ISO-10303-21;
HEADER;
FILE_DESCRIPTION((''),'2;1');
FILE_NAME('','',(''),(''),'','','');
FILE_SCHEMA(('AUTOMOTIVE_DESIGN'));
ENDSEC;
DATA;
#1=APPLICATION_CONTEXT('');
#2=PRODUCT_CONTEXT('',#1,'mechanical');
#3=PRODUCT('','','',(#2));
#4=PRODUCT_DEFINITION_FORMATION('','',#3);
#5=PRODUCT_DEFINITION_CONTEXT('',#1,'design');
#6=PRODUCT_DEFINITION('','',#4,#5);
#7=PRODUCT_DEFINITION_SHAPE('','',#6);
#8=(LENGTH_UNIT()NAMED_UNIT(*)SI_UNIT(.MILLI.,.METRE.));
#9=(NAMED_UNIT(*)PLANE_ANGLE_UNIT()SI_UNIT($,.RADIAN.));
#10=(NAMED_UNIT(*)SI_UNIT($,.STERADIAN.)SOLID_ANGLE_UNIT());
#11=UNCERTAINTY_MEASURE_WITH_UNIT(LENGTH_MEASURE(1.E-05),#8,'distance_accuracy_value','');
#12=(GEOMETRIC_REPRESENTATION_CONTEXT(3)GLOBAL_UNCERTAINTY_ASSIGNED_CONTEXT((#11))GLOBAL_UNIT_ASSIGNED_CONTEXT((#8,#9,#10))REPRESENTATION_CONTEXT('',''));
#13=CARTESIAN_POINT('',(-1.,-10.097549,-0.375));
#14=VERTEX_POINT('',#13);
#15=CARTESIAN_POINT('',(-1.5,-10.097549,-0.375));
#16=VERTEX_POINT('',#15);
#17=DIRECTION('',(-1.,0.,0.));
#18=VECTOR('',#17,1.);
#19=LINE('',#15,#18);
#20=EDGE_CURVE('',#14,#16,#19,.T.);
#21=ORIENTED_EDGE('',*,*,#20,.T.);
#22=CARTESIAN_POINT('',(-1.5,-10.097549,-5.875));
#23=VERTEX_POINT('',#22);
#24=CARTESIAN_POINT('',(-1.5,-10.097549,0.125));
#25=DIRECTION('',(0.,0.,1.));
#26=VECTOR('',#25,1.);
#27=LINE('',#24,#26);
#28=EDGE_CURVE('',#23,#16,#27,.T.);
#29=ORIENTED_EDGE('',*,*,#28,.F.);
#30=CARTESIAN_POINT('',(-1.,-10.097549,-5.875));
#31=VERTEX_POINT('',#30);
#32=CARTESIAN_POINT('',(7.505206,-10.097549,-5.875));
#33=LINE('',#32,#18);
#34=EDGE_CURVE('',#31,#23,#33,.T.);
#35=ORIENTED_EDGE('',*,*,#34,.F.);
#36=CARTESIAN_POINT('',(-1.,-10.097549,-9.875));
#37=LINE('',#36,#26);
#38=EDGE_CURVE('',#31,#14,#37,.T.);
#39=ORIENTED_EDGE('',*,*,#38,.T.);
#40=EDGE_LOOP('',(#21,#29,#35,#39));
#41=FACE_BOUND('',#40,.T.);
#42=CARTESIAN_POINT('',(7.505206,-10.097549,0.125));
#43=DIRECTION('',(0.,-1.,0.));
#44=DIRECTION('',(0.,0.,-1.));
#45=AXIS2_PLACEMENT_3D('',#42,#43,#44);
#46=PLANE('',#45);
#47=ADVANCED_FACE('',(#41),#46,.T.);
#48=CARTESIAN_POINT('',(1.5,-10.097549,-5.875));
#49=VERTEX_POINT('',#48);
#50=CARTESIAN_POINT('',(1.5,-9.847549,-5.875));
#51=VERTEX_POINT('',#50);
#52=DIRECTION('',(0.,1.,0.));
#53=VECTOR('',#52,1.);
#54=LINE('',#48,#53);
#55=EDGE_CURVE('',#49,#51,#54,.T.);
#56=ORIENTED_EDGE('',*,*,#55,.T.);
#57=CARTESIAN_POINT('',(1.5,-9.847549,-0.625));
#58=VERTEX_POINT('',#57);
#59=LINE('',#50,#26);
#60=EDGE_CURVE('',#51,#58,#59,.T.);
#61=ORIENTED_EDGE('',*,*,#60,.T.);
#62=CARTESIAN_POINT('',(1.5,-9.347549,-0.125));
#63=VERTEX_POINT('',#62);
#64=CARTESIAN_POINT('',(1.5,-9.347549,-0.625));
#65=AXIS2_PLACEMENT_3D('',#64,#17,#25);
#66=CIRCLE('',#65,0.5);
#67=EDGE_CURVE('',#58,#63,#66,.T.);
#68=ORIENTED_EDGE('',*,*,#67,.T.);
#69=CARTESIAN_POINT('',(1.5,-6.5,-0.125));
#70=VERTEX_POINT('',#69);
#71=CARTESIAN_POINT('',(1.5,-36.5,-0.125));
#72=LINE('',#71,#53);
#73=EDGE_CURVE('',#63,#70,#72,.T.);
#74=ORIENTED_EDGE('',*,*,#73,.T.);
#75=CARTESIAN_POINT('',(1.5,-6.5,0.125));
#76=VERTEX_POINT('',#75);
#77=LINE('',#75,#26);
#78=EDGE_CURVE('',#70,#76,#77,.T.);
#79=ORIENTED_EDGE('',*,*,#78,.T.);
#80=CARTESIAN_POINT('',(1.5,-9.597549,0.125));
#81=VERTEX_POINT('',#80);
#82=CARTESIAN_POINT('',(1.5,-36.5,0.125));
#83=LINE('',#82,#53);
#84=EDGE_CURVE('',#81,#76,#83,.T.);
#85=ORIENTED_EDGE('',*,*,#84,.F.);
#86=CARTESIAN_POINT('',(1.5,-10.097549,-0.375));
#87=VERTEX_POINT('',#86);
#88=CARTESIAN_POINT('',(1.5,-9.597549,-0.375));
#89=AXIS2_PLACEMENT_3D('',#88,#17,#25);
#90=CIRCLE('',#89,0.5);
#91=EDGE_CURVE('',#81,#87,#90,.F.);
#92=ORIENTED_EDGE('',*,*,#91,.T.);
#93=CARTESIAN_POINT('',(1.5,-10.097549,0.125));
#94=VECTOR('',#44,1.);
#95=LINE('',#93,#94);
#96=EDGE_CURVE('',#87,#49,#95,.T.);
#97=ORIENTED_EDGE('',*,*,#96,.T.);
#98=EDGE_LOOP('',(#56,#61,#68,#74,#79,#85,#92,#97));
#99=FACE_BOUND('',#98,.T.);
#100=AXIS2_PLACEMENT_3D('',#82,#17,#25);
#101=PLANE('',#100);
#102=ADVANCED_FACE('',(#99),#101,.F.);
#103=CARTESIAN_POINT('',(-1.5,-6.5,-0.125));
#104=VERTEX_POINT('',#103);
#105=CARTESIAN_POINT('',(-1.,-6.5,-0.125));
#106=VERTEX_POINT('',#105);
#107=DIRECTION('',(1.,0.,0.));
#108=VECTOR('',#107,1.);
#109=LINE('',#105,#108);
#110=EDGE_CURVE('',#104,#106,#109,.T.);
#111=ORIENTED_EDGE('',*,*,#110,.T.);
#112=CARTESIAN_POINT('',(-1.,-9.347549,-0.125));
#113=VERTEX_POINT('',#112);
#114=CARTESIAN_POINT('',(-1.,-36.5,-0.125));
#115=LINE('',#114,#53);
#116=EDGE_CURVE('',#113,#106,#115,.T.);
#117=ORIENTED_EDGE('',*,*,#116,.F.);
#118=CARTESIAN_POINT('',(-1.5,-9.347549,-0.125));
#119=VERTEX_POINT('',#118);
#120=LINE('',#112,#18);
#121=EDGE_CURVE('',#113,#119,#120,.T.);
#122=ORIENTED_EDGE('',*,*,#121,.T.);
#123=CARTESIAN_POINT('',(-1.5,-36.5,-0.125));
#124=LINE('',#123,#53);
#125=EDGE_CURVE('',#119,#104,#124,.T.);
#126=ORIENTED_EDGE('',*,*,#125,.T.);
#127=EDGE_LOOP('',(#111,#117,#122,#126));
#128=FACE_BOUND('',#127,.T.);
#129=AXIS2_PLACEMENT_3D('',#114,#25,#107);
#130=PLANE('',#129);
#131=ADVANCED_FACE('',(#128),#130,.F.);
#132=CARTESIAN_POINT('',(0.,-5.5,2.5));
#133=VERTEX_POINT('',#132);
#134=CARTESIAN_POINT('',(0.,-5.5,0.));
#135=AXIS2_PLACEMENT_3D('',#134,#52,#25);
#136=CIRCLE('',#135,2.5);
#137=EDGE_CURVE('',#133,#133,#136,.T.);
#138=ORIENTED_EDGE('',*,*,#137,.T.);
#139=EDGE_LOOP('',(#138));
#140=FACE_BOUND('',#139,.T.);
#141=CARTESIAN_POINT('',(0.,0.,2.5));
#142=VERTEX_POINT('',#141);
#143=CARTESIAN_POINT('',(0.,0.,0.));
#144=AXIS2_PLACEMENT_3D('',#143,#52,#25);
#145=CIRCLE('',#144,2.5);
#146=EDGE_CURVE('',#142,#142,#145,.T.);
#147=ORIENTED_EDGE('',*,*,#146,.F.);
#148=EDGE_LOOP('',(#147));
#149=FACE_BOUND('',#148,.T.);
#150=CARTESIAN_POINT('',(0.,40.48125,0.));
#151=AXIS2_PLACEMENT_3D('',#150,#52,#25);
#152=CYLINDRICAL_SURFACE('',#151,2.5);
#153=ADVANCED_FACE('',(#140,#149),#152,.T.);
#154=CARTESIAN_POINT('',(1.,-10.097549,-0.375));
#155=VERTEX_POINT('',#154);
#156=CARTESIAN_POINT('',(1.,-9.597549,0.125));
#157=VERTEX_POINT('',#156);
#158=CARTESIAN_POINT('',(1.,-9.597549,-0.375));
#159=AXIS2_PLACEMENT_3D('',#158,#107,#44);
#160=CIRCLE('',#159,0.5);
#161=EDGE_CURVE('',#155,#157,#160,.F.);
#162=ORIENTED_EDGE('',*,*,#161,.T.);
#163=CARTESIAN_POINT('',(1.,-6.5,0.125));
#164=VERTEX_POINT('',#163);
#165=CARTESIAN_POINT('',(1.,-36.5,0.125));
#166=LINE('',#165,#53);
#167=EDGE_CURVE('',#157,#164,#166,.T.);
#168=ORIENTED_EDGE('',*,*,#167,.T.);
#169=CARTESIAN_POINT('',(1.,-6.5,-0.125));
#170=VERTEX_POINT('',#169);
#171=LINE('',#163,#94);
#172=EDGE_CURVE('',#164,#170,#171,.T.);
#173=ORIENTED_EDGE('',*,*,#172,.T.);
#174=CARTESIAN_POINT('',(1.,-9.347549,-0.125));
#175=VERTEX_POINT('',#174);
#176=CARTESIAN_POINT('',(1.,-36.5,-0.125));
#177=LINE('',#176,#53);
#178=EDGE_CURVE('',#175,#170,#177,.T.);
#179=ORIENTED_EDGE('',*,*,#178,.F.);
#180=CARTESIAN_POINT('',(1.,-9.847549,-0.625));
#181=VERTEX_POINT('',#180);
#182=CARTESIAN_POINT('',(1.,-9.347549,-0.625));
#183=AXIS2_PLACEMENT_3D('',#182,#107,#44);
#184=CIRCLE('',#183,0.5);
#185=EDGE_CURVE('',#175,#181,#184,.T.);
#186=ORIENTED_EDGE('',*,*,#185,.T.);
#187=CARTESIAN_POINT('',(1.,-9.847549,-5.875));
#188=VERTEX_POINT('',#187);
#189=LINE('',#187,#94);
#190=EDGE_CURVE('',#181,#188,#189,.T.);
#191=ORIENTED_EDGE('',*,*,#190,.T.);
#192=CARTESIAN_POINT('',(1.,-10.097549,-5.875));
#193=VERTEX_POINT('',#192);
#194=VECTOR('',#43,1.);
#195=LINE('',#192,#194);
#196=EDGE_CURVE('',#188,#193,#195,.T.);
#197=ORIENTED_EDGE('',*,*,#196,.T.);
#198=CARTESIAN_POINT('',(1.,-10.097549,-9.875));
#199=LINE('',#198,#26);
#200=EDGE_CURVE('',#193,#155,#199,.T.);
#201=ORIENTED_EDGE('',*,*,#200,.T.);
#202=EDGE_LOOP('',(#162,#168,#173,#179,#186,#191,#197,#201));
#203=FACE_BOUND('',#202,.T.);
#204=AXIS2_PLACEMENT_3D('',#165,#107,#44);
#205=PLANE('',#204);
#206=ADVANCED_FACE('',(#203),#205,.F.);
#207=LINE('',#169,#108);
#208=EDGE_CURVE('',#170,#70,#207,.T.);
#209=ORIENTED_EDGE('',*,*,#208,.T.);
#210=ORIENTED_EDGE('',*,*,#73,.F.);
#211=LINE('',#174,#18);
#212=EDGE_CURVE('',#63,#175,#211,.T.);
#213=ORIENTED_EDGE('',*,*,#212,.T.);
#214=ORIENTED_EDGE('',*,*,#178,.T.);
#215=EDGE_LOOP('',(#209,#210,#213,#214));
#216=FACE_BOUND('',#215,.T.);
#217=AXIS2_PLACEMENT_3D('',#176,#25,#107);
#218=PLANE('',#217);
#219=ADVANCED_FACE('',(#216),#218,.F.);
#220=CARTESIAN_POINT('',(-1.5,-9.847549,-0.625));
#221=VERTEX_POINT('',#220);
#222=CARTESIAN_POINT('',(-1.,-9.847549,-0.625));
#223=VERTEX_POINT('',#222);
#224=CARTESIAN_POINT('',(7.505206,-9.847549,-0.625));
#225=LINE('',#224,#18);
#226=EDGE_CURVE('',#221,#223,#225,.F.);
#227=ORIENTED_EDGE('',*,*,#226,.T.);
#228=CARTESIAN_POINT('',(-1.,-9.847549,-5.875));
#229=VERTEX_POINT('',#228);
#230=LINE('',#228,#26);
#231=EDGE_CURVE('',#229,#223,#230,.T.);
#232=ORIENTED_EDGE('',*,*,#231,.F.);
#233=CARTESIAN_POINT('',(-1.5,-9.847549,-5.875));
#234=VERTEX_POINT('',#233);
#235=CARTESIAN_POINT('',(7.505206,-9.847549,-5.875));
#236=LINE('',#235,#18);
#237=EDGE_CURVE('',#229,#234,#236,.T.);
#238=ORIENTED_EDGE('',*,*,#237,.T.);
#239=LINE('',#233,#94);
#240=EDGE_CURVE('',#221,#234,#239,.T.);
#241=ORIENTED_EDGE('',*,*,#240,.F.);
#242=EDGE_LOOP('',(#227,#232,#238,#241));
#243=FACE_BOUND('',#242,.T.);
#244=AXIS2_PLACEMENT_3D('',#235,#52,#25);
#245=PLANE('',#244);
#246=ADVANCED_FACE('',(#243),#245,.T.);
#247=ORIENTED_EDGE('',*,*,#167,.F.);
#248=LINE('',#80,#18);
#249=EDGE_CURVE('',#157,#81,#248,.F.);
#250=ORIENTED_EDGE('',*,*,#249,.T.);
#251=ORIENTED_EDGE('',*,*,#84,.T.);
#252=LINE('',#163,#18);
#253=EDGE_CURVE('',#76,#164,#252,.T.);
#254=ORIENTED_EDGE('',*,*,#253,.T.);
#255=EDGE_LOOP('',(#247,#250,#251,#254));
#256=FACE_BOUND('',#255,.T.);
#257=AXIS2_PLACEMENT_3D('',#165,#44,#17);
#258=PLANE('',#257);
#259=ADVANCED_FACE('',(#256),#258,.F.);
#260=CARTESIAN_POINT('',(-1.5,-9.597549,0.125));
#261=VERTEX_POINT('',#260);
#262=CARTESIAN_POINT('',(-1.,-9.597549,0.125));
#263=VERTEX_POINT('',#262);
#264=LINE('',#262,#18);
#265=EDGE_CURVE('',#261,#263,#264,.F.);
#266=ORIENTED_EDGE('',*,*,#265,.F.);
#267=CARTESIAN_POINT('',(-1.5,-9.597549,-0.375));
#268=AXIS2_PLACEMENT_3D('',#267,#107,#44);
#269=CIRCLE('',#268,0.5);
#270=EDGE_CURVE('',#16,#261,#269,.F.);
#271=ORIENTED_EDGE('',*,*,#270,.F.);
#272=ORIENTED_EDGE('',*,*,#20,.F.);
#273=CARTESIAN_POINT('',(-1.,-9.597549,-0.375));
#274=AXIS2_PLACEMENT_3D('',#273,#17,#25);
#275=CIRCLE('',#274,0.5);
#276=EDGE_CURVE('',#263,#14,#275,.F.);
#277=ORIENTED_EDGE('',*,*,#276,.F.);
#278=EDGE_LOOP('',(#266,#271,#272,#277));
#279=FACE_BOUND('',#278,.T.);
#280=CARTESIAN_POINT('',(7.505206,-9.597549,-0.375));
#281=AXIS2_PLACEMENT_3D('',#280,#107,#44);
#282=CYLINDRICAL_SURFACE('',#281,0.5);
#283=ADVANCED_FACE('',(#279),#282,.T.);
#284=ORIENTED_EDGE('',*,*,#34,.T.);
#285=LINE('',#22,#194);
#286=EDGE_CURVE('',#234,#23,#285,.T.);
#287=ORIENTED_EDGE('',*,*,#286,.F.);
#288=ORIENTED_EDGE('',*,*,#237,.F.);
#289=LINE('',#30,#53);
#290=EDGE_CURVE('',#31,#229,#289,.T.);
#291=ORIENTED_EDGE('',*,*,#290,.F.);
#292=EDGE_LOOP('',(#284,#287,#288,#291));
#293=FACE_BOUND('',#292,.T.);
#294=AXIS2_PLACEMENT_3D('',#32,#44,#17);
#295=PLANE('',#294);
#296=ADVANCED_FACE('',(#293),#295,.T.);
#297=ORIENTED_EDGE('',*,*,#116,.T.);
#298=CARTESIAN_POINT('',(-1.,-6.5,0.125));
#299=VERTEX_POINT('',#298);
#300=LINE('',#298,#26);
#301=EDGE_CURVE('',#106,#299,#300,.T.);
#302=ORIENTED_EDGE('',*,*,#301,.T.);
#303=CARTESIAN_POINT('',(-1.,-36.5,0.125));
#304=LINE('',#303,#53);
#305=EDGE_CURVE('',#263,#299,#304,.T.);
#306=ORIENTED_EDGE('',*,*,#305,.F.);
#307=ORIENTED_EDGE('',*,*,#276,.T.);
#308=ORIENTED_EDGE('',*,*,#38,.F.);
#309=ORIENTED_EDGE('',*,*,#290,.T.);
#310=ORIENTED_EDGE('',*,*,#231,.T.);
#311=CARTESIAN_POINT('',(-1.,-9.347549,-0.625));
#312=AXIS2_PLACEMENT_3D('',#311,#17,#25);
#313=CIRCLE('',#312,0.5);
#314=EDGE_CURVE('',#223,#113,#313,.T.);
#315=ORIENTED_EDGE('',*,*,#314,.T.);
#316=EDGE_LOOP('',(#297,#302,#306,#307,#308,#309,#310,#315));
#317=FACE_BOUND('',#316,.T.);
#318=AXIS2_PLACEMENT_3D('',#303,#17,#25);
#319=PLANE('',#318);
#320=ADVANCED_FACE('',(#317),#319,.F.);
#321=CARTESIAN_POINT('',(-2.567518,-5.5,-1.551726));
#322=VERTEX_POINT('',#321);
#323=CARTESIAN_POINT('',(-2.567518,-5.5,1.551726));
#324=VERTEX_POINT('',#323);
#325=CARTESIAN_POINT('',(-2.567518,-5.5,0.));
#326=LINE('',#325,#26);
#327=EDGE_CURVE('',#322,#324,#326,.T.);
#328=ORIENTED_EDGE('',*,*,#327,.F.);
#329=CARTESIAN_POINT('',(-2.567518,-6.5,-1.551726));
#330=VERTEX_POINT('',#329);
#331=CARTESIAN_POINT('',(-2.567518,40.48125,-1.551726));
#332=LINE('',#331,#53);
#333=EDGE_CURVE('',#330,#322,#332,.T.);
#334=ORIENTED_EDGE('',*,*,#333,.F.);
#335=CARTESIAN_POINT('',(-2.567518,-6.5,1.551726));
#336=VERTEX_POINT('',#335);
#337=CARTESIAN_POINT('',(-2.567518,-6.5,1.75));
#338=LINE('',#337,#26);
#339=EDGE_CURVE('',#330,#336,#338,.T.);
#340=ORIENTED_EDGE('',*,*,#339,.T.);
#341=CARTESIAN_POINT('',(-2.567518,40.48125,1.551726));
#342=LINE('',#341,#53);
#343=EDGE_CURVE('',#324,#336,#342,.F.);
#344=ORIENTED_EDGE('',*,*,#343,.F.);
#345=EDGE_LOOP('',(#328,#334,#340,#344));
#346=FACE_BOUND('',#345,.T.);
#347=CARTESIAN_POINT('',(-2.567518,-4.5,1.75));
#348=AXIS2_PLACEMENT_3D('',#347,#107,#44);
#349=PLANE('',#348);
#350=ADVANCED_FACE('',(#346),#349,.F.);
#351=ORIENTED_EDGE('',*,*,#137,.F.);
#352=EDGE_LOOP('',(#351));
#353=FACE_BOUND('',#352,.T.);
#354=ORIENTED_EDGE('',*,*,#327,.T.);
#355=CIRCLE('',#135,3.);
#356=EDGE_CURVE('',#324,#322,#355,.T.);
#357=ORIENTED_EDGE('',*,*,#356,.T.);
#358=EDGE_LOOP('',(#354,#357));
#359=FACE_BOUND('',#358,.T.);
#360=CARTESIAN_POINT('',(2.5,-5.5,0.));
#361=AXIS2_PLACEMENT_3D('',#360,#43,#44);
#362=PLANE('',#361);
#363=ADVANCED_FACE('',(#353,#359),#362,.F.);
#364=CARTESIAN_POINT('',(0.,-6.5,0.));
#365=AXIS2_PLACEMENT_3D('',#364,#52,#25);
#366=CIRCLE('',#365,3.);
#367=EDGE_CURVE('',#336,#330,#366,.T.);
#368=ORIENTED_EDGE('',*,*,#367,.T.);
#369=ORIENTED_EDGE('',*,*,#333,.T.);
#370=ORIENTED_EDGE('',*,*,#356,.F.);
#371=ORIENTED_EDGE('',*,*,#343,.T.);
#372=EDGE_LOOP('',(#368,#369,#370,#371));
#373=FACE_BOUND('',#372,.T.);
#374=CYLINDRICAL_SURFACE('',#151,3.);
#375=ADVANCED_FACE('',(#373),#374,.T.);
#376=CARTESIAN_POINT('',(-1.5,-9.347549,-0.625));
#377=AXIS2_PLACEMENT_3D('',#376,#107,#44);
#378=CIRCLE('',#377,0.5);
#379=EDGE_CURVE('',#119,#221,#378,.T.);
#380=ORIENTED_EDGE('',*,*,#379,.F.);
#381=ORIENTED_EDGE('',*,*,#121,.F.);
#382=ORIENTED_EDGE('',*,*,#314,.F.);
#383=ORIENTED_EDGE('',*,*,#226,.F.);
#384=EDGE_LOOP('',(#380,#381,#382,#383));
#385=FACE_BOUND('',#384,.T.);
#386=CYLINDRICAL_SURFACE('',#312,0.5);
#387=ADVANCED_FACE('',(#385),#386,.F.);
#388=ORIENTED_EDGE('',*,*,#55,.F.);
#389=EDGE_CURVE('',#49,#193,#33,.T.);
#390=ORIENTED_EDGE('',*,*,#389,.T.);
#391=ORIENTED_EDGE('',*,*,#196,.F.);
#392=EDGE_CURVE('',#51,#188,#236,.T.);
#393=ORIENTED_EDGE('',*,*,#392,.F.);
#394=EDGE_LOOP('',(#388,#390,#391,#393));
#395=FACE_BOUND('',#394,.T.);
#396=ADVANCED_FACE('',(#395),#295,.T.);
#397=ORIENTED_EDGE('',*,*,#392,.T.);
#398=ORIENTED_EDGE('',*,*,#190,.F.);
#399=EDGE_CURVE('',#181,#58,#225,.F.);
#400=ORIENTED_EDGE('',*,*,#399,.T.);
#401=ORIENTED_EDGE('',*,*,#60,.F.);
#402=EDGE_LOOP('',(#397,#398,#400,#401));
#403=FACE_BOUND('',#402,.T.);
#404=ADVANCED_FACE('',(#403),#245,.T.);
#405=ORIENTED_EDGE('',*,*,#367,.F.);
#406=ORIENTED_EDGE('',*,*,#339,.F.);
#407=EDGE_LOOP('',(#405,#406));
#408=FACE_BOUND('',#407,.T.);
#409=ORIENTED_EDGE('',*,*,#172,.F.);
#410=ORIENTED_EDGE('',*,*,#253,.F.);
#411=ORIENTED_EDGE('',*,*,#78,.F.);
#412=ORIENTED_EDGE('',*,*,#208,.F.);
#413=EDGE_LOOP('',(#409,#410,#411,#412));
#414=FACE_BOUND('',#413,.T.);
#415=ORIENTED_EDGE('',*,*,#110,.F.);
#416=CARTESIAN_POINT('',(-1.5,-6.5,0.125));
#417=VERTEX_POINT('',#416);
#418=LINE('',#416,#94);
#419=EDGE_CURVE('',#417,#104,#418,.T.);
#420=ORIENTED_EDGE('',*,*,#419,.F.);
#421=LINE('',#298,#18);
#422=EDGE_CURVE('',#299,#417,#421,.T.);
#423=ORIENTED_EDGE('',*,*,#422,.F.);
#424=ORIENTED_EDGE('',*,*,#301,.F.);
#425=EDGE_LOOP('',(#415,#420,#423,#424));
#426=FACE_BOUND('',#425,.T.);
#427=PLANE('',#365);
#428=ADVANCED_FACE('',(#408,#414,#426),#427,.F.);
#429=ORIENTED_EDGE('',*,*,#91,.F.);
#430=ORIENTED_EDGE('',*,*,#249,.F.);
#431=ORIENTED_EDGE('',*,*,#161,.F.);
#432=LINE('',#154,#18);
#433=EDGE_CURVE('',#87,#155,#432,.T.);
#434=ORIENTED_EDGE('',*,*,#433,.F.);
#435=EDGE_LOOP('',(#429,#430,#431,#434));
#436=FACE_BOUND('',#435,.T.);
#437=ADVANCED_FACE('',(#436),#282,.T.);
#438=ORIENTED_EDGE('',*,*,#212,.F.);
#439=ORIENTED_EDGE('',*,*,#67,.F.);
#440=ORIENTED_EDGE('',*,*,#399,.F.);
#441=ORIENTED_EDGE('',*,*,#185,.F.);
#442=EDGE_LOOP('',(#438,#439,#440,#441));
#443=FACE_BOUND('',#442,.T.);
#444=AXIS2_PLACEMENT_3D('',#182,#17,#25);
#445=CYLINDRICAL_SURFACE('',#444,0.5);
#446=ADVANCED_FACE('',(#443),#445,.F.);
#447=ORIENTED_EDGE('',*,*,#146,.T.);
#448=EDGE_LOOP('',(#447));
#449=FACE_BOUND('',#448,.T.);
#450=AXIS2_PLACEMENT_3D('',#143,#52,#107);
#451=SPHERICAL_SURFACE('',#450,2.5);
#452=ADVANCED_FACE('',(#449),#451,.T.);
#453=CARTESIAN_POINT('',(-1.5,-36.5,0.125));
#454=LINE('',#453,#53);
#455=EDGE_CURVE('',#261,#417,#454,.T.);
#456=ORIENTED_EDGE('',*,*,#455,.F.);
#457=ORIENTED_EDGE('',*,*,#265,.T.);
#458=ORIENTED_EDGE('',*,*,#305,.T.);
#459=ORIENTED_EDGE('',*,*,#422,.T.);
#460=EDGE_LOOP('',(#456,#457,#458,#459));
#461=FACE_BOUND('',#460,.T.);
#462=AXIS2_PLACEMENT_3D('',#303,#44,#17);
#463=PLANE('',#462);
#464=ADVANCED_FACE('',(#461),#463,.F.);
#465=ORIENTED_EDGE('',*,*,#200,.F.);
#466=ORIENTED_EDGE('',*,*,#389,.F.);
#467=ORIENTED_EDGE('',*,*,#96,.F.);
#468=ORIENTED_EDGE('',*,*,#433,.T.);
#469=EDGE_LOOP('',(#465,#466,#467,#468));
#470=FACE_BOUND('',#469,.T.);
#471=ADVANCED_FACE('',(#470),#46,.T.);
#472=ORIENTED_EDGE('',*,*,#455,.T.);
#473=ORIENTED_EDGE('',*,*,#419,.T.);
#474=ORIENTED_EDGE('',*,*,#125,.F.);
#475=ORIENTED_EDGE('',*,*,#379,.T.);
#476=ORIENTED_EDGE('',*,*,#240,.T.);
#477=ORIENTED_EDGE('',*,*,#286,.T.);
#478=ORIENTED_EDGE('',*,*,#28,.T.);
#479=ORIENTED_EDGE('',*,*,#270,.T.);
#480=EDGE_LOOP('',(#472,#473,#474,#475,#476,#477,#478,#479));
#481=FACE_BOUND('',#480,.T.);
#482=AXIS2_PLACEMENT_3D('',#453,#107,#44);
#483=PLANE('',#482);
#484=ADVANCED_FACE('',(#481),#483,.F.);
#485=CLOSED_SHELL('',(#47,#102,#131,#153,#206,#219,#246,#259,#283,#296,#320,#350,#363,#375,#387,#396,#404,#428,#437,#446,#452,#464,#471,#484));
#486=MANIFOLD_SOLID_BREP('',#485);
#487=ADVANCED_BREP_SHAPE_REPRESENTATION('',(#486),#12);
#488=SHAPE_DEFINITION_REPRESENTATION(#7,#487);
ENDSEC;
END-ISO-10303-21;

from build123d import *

# Parameters (mm, degrees)
SKETCH2_W           = 0.5
SKETCH2_H           = 0.25
EXTRUDE1_DEPTH      = 30
SKETCH3_W           = 0.5
SKETCH3_H           = 10
EXTRUDE3_DEPTH      = 2
EXTRUDE3_DEPTH_BACK = 2
SKETCH4_W           = 0.5
SKETCH4_H           = 3.5
EXTRUDE4_DEPTH      = 2
BOSS_EXTRUDE1_DEPTH = 3
CUT_EXTRUDE1_DEPTH  = 10
FILLET1_R           = 0.5


with BuildPart() as part:
    # Sketch1 → Revolve1 (revolve)
    with BuildSketch(Plane.XY):
        with BuildLine():
            Line((0, 2.5), (0, -5.5))
            Line((0, -5.5), (0, -6.5))
            Line((0, -6.5), (3, -6.5))
            Line((3, -6.5), (3, -5.5))
            Line((3, -5.5), (2.5, -5.5))
            Line((2.5, -5.5), (2.5, 0))
            ThreePointArc((2.5, 0), (1.767766953, 1.767766953), (0, 2.5))
        make_face()
    revolve(axis=Axis((0, 40.48125, 0), (0, -1, 0)))

    # Sketch2 → Extrude1 (add)
    with BuildSketch(Plane.XZ.offset(6.5)):
        with Locations((1.25, 0)):
            Rectangle(SKETCH2_W, SKETCH2_H)
        with Locations((-1.25, 0)):
            Rectangle(SKETCH2_W, SKETCH2_H)
    extrude(amount=EXTRUDE1_DEPTH)

    # Sketch3 → Extrude3 (cut, two sides)
    with BuildSketch(Plane.XY) as extrude3_sk:
        with Locations((-1.25, -31.5)):
            Rectangle(SKETCH3_W, SKETCH3_H)
    extrude(amount=EXTRUDE3_DEPTH, mode=Mode.SUBTRACT)
    extrude(extrude3_sk.sketch, amount=-EXTRUDE3_DEPTH_BACK, mode=Mode.SUBTRACT)

    # Sketch4 → Extrude4 (cut)
    with BuildSketch(Plane.XZ.offset(6.5)):
        with Locations((-2.817517664, 0)):
            Rectangle(SKETCH4_W, SKETCH4_H)
    extrude(amount=-EXTRUDE4_DEPTH, mode=Mode.SUBTRACT)

    # Sketch5 → Boss-Extrude1 (add)
    with BuildSketch(Plane.ZY.offset(1.5)):
        Polygon((0.125, -10.097548576), (-5.875, -10.097548576), (-5.875, -9.847548576), (-0.125, -9.847548576), align=None)
    extrude(amount=-BOSS_EXTRUDE1_DEPTH)

    # Sketch6 → Cut-Extrude1 (cut)
    with BuildSketch(Plane.XY.offset(0.125)):
        Polygon((-1, -8.951862253), (1, -8.951862253), (1, -10.097548576), (1.5, -10.097548576), (1.5, -37.452172459), (-1.5, -37.452172459), (-1.5, -10.097548576), (-1, -10.097548576), align=None)
    extrude(amount=-CUT_EXTRUDE1_DEPTH, mode=Mode.SUBTRACT)

    # Fillet1
    fillet1_edges = [part.edges().sort_by_distance(p)[0] for p in [
        (1.25, -10.097548576, 0.125),
        (-1.25, -10.097548576, 0.125),
        (-1.25, -9.847548576, -0.125),
        (1.25, -9.847548576, -0.125),
    ]]
    fillet(fillet1_edges, radius=FILLET1_R)


solid = part.part
